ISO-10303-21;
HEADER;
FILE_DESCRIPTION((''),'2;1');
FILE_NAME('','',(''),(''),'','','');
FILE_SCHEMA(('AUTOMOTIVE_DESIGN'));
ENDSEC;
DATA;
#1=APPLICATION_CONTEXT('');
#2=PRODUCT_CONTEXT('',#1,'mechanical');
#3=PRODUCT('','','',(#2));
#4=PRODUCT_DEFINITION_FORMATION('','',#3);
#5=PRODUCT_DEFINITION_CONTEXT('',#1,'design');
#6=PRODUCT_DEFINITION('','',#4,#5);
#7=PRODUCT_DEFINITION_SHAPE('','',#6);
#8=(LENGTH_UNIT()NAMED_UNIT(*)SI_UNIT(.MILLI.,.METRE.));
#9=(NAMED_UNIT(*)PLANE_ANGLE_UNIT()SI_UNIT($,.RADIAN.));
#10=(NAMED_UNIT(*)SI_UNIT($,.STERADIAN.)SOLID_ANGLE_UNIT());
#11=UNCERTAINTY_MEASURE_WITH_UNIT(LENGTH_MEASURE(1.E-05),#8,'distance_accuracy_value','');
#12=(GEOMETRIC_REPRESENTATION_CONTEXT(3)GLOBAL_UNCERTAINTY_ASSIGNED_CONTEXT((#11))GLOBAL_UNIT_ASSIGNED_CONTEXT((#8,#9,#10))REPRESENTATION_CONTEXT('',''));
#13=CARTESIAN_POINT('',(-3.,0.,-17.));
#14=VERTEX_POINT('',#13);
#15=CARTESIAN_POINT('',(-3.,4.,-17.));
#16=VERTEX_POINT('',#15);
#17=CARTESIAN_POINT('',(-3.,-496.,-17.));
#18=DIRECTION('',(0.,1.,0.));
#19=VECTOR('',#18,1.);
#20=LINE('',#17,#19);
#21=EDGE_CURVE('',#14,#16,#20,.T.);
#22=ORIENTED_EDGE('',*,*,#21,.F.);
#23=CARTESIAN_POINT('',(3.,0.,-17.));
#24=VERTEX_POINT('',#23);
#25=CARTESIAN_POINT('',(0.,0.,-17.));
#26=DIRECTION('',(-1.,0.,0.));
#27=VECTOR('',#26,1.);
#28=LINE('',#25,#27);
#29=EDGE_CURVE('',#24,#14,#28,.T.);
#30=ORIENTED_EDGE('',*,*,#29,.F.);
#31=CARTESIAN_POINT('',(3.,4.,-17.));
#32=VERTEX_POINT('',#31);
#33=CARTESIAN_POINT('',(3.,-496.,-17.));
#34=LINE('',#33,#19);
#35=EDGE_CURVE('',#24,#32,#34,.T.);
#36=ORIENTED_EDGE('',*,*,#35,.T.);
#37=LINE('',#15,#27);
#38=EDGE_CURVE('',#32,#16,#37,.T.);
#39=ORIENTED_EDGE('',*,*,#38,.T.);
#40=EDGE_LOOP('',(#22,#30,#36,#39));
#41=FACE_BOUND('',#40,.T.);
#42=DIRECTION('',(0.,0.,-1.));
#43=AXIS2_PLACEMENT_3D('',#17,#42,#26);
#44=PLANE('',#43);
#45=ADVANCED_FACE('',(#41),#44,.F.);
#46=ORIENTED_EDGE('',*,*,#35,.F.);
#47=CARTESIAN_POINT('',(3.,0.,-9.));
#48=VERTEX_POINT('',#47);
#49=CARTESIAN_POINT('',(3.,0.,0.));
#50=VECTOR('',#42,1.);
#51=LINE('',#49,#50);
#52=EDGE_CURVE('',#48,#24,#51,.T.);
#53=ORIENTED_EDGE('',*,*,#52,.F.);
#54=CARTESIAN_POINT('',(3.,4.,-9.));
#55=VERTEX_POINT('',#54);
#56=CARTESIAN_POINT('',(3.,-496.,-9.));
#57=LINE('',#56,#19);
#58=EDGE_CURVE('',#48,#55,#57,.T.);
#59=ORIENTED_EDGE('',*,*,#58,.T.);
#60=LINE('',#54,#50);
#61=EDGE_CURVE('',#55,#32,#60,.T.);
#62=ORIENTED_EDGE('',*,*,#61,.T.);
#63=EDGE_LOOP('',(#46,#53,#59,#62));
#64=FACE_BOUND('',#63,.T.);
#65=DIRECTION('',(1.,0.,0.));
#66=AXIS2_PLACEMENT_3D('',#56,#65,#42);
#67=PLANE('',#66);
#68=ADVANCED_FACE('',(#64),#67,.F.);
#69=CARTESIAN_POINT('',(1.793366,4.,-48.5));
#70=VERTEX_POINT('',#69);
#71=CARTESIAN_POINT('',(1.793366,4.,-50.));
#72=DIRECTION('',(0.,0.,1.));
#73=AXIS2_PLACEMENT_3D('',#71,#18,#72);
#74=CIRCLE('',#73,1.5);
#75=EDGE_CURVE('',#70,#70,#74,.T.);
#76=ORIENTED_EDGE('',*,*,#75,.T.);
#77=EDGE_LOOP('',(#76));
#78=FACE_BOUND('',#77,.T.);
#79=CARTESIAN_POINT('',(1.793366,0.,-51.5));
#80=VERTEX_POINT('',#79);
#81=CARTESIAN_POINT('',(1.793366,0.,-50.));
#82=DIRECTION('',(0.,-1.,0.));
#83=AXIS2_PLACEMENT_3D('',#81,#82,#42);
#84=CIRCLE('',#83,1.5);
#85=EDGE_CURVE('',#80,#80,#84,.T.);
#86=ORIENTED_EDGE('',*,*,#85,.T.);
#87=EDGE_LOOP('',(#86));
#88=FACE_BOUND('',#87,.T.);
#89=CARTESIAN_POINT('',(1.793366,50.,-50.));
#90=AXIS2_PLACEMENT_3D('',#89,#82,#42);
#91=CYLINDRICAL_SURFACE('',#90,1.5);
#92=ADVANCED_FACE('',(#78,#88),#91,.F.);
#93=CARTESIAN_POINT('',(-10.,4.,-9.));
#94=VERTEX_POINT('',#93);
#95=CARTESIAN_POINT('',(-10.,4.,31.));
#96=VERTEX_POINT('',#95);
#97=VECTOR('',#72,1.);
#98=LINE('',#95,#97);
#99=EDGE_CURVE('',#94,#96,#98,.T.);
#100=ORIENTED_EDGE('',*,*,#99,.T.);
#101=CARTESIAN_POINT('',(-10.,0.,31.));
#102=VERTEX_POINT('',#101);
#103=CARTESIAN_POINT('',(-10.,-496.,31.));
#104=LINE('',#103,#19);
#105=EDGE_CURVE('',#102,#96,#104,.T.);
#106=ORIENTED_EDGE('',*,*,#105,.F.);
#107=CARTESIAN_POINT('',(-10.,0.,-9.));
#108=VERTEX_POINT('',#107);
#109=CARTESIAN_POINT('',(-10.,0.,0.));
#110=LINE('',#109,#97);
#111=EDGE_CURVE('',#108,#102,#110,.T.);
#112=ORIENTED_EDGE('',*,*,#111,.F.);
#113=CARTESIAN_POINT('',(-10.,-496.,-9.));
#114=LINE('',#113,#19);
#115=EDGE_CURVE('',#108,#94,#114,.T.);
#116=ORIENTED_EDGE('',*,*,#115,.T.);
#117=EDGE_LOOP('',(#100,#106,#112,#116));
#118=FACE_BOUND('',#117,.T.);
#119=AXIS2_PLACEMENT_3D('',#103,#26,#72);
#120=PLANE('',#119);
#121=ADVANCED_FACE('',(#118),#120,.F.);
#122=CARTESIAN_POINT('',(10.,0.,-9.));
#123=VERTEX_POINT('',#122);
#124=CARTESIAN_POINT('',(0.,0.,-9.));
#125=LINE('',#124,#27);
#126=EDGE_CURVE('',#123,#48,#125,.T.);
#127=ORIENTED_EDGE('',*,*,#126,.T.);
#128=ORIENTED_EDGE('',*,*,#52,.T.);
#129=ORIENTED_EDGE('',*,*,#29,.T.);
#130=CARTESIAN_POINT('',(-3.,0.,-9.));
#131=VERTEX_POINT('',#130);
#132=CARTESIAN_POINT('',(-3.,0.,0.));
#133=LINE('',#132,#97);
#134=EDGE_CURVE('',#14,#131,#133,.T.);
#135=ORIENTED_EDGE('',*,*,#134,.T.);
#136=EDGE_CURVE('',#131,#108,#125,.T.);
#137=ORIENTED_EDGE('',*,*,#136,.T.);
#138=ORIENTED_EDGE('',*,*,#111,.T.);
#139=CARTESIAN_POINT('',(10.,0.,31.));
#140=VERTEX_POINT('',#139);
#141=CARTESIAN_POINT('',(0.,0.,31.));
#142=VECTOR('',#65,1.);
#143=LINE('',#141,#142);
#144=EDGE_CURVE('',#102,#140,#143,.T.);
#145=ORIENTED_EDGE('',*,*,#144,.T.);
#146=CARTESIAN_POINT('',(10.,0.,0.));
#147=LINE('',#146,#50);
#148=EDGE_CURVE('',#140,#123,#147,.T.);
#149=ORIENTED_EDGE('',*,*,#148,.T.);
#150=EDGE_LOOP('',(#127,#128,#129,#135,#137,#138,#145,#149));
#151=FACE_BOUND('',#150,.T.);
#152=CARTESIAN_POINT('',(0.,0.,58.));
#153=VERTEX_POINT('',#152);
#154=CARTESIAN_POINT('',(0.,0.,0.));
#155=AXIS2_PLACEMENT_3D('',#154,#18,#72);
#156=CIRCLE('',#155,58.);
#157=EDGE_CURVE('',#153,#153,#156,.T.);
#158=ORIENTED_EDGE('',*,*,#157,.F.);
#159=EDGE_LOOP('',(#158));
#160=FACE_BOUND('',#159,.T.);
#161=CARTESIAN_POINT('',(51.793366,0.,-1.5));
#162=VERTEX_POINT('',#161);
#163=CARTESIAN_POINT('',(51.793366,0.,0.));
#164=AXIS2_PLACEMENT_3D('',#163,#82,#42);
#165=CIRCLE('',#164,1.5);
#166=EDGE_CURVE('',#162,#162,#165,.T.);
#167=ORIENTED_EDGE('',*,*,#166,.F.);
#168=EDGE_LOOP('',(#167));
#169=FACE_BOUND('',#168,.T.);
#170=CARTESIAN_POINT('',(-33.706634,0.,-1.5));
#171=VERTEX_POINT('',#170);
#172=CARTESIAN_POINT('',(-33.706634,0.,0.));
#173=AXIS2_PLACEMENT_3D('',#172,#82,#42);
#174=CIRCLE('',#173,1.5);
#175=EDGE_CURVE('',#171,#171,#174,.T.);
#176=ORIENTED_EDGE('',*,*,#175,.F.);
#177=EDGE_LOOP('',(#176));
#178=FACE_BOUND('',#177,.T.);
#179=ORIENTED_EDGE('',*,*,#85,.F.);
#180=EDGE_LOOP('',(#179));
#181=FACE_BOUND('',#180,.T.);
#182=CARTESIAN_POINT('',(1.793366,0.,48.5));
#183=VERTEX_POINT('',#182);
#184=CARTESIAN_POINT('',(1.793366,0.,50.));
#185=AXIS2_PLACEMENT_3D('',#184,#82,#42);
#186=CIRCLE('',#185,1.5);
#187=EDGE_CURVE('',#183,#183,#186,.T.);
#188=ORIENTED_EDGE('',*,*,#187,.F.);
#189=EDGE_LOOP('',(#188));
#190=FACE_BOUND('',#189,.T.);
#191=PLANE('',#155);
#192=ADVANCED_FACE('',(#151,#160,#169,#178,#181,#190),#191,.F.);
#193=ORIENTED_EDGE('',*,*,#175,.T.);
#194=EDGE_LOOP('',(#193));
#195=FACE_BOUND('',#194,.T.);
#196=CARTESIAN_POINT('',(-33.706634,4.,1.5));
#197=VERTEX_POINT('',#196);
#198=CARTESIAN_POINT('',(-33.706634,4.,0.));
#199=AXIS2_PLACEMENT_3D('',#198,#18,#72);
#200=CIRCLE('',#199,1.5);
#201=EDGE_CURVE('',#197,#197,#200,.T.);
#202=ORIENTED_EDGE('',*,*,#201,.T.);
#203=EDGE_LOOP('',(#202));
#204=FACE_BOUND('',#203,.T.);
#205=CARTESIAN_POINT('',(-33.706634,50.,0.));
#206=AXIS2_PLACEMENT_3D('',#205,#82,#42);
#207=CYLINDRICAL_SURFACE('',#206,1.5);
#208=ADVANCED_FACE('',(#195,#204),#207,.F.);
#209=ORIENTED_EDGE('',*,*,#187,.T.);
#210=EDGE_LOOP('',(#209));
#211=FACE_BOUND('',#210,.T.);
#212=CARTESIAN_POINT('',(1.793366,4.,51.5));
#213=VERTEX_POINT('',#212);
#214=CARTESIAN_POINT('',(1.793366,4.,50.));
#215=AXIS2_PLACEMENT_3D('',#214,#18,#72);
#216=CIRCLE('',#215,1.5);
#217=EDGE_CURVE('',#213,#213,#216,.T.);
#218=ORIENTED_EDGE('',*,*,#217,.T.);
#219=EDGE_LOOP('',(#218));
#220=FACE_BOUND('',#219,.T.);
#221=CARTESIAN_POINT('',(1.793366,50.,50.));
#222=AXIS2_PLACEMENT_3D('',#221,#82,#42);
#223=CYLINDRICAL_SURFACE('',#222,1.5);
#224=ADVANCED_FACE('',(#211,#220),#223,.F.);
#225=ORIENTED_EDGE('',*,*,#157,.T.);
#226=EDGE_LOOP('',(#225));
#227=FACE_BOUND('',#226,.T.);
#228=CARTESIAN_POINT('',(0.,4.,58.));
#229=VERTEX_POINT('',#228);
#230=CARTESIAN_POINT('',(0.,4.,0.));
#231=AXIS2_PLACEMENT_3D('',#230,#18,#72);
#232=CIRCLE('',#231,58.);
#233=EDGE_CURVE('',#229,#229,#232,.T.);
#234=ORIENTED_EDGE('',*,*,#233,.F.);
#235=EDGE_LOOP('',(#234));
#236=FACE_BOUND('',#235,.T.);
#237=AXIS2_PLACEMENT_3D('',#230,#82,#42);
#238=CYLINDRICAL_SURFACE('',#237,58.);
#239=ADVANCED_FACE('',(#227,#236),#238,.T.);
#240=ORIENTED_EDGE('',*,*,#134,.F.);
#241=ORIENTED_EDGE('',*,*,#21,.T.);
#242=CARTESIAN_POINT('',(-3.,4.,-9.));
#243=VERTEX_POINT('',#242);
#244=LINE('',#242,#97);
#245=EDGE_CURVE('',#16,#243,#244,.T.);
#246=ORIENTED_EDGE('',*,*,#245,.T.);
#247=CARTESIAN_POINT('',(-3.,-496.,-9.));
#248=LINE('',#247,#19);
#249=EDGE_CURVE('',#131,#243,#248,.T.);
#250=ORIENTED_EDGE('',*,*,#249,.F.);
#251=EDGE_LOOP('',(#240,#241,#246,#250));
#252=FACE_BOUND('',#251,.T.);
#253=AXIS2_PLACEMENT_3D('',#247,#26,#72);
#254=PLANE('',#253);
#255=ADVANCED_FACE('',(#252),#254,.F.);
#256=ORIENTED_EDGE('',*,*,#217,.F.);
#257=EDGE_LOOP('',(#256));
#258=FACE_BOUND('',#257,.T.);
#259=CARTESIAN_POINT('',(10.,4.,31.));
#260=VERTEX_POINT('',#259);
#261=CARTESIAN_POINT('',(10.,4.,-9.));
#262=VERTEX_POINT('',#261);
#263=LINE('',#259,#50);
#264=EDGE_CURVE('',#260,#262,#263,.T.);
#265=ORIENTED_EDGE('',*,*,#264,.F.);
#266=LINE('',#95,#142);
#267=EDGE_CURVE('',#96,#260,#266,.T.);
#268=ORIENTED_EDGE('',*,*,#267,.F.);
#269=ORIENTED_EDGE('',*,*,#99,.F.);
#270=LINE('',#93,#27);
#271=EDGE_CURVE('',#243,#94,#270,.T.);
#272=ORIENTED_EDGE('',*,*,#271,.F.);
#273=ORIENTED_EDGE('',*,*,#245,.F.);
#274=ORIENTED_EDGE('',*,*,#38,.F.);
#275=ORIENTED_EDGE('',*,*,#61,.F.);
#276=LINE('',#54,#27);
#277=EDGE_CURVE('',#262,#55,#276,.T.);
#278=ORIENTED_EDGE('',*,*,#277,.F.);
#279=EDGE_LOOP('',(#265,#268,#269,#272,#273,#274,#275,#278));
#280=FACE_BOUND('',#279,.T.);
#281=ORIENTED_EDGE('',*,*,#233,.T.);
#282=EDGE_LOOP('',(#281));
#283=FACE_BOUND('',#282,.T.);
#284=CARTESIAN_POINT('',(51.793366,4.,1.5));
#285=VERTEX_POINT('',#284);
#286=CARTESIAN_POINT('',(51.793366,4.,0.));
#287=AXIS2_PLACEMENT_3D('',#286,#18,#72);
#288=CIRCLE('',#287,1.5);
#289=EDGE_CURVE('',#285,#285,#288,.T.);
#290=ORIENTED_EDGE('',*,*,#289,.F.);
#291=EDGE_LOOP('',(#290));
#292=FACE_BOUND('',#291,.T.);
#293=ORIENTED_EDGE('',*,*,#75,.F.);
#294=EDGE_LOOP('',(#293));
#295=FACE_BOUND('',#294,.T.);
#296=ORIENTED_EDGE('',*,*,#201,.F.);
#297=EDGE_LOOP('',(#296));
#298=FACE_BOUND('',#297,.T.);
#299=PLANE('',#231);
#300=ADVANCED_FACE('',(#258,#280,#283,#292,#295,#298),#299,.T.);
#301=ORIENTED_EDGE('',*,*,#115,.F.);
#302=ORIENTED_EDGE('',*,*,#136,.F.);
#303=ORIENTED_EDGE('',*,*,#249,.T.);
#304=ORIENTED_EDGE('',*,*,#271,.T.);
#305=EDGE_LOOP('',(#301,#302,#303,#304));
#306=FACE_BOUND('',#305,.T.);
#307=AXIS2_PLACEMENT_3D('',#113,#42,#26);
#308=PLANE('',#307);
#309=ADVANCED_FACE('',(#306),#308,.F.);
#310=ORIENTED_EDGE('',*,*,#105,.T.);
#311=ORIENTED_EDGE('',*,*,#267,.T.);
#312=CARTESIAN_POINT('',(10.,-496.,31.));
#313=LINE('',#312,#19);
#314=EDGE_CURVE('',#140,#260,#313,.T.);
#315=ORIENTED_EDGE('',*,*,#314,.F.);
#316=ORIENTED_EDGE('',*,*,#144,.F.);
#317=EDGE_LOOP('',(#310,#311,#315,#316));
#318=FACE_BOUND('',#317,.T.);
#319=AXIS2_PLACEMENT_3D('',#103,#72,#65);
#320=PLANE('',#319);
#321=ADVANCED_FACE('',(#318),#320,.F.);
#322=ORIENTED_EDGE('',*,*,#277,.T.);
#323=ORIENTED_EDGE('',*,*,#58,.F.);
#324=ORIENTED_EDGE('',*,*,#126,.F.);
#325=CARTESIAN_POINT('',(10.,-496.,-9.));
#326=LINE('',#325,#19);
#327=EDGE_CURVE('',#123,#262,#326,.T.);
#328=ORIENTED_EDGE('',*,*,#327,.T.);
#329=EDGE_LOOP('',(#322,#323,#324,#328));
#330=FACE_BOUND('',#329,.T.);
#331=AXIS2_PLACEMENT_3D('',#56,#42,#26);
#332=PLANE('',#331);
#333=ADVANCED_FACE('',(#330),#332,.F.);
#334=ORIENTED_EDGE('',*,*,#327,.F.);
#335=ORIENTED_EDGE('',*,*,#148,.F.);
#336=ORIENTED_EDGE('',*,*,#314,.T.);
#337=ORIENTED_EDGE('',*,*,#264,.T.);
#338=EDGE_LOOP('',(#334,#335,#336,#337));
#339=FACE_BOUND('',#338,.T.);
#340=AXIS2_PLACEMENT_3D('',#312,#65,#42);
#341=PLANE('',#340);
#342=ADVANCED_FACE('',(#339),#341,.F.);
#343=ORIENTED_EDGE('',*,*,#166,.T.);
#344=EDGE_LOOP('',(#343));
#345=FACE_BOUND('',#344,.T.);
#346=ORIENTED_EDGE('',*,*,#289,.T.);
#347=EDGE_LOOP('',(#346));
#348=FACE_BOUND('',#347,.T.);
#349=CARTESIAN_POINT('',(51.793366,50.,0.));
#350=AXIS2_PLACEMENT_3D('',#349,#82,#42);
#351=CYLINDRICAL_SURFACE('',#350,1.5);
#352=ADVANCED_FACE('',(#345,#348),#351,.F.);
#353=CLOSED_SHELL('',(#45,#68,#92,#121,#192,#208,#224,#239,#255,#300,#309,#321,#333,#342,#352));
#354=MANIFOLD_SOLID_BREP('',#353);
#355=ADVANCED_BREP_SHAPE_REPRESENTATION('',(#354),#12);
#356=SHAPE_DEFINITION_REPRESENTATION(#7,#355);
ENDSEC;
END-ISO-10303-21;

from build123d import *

# Parameters (mm, degrees)
SKETCH_1_R          = 58
EXTRUDE_1_DEPTH     = 4
SKETCH_3_R          = 1.5
CUT_EXTRUDE_1_DEPTH = 50
CUT_EXTRUDE_2_DEPTH = 500


with BuildPart() as part:
    # 草图1 → 凸台-拉伸1 (new body)
    with BuildSketch(Plane(origin=(0, 0, 0), x_dir=(1, 0, 0), z_dir=(0, 1, 0))):
        with Locations(Location((0, 0, 0), (0, 0, 270))):
            Circle(SKETCH_1_R)
    extrude(amount=EXTRUDE_1_DEPTH)

    # 草图3 → 切除-拉伸1 (cut)
    with BuildSketch(Plane.XZ):
        with Locations(Location((1.793366497, -50, 0), (0, 0, 270))):
            Circle(SKETCH_3_R)
        with Locations(Location((-33.706633503, 0, 0), (0, 0, 270))):
            Circle(SKETCH_3_R)
        with Locations(Location((1.793366497, 50, 0), (0, 0, 270))):
            Circle(SKETCH_3_R)
        with Locations(Location((51.793366497, 0, 0), (0, 0, 270))):
            Circle(SKETCH_3_R)
    extrude(amount=-CUT_EXTRUDE_1_DEPTH, mode=Mode.SUBTRACT)

    # 草图4 → 切除-拉伸2 (cut)
    with BuildSketch(Plane(origin=(0, 4, 0), x_dir=(1, 0, 0), z_dir=(0, 1, 0))):
        Polygon((3, 9), (10, 9), (10, -31), (-10, -31), (-10, 9), (-3, 9), (-3, 17), (3, 17), align=None)
    extrude(amount=-CUT_EXTRUDE_2_DEPTH, mode=Mode.SUBTRACT)


solid = part.part
